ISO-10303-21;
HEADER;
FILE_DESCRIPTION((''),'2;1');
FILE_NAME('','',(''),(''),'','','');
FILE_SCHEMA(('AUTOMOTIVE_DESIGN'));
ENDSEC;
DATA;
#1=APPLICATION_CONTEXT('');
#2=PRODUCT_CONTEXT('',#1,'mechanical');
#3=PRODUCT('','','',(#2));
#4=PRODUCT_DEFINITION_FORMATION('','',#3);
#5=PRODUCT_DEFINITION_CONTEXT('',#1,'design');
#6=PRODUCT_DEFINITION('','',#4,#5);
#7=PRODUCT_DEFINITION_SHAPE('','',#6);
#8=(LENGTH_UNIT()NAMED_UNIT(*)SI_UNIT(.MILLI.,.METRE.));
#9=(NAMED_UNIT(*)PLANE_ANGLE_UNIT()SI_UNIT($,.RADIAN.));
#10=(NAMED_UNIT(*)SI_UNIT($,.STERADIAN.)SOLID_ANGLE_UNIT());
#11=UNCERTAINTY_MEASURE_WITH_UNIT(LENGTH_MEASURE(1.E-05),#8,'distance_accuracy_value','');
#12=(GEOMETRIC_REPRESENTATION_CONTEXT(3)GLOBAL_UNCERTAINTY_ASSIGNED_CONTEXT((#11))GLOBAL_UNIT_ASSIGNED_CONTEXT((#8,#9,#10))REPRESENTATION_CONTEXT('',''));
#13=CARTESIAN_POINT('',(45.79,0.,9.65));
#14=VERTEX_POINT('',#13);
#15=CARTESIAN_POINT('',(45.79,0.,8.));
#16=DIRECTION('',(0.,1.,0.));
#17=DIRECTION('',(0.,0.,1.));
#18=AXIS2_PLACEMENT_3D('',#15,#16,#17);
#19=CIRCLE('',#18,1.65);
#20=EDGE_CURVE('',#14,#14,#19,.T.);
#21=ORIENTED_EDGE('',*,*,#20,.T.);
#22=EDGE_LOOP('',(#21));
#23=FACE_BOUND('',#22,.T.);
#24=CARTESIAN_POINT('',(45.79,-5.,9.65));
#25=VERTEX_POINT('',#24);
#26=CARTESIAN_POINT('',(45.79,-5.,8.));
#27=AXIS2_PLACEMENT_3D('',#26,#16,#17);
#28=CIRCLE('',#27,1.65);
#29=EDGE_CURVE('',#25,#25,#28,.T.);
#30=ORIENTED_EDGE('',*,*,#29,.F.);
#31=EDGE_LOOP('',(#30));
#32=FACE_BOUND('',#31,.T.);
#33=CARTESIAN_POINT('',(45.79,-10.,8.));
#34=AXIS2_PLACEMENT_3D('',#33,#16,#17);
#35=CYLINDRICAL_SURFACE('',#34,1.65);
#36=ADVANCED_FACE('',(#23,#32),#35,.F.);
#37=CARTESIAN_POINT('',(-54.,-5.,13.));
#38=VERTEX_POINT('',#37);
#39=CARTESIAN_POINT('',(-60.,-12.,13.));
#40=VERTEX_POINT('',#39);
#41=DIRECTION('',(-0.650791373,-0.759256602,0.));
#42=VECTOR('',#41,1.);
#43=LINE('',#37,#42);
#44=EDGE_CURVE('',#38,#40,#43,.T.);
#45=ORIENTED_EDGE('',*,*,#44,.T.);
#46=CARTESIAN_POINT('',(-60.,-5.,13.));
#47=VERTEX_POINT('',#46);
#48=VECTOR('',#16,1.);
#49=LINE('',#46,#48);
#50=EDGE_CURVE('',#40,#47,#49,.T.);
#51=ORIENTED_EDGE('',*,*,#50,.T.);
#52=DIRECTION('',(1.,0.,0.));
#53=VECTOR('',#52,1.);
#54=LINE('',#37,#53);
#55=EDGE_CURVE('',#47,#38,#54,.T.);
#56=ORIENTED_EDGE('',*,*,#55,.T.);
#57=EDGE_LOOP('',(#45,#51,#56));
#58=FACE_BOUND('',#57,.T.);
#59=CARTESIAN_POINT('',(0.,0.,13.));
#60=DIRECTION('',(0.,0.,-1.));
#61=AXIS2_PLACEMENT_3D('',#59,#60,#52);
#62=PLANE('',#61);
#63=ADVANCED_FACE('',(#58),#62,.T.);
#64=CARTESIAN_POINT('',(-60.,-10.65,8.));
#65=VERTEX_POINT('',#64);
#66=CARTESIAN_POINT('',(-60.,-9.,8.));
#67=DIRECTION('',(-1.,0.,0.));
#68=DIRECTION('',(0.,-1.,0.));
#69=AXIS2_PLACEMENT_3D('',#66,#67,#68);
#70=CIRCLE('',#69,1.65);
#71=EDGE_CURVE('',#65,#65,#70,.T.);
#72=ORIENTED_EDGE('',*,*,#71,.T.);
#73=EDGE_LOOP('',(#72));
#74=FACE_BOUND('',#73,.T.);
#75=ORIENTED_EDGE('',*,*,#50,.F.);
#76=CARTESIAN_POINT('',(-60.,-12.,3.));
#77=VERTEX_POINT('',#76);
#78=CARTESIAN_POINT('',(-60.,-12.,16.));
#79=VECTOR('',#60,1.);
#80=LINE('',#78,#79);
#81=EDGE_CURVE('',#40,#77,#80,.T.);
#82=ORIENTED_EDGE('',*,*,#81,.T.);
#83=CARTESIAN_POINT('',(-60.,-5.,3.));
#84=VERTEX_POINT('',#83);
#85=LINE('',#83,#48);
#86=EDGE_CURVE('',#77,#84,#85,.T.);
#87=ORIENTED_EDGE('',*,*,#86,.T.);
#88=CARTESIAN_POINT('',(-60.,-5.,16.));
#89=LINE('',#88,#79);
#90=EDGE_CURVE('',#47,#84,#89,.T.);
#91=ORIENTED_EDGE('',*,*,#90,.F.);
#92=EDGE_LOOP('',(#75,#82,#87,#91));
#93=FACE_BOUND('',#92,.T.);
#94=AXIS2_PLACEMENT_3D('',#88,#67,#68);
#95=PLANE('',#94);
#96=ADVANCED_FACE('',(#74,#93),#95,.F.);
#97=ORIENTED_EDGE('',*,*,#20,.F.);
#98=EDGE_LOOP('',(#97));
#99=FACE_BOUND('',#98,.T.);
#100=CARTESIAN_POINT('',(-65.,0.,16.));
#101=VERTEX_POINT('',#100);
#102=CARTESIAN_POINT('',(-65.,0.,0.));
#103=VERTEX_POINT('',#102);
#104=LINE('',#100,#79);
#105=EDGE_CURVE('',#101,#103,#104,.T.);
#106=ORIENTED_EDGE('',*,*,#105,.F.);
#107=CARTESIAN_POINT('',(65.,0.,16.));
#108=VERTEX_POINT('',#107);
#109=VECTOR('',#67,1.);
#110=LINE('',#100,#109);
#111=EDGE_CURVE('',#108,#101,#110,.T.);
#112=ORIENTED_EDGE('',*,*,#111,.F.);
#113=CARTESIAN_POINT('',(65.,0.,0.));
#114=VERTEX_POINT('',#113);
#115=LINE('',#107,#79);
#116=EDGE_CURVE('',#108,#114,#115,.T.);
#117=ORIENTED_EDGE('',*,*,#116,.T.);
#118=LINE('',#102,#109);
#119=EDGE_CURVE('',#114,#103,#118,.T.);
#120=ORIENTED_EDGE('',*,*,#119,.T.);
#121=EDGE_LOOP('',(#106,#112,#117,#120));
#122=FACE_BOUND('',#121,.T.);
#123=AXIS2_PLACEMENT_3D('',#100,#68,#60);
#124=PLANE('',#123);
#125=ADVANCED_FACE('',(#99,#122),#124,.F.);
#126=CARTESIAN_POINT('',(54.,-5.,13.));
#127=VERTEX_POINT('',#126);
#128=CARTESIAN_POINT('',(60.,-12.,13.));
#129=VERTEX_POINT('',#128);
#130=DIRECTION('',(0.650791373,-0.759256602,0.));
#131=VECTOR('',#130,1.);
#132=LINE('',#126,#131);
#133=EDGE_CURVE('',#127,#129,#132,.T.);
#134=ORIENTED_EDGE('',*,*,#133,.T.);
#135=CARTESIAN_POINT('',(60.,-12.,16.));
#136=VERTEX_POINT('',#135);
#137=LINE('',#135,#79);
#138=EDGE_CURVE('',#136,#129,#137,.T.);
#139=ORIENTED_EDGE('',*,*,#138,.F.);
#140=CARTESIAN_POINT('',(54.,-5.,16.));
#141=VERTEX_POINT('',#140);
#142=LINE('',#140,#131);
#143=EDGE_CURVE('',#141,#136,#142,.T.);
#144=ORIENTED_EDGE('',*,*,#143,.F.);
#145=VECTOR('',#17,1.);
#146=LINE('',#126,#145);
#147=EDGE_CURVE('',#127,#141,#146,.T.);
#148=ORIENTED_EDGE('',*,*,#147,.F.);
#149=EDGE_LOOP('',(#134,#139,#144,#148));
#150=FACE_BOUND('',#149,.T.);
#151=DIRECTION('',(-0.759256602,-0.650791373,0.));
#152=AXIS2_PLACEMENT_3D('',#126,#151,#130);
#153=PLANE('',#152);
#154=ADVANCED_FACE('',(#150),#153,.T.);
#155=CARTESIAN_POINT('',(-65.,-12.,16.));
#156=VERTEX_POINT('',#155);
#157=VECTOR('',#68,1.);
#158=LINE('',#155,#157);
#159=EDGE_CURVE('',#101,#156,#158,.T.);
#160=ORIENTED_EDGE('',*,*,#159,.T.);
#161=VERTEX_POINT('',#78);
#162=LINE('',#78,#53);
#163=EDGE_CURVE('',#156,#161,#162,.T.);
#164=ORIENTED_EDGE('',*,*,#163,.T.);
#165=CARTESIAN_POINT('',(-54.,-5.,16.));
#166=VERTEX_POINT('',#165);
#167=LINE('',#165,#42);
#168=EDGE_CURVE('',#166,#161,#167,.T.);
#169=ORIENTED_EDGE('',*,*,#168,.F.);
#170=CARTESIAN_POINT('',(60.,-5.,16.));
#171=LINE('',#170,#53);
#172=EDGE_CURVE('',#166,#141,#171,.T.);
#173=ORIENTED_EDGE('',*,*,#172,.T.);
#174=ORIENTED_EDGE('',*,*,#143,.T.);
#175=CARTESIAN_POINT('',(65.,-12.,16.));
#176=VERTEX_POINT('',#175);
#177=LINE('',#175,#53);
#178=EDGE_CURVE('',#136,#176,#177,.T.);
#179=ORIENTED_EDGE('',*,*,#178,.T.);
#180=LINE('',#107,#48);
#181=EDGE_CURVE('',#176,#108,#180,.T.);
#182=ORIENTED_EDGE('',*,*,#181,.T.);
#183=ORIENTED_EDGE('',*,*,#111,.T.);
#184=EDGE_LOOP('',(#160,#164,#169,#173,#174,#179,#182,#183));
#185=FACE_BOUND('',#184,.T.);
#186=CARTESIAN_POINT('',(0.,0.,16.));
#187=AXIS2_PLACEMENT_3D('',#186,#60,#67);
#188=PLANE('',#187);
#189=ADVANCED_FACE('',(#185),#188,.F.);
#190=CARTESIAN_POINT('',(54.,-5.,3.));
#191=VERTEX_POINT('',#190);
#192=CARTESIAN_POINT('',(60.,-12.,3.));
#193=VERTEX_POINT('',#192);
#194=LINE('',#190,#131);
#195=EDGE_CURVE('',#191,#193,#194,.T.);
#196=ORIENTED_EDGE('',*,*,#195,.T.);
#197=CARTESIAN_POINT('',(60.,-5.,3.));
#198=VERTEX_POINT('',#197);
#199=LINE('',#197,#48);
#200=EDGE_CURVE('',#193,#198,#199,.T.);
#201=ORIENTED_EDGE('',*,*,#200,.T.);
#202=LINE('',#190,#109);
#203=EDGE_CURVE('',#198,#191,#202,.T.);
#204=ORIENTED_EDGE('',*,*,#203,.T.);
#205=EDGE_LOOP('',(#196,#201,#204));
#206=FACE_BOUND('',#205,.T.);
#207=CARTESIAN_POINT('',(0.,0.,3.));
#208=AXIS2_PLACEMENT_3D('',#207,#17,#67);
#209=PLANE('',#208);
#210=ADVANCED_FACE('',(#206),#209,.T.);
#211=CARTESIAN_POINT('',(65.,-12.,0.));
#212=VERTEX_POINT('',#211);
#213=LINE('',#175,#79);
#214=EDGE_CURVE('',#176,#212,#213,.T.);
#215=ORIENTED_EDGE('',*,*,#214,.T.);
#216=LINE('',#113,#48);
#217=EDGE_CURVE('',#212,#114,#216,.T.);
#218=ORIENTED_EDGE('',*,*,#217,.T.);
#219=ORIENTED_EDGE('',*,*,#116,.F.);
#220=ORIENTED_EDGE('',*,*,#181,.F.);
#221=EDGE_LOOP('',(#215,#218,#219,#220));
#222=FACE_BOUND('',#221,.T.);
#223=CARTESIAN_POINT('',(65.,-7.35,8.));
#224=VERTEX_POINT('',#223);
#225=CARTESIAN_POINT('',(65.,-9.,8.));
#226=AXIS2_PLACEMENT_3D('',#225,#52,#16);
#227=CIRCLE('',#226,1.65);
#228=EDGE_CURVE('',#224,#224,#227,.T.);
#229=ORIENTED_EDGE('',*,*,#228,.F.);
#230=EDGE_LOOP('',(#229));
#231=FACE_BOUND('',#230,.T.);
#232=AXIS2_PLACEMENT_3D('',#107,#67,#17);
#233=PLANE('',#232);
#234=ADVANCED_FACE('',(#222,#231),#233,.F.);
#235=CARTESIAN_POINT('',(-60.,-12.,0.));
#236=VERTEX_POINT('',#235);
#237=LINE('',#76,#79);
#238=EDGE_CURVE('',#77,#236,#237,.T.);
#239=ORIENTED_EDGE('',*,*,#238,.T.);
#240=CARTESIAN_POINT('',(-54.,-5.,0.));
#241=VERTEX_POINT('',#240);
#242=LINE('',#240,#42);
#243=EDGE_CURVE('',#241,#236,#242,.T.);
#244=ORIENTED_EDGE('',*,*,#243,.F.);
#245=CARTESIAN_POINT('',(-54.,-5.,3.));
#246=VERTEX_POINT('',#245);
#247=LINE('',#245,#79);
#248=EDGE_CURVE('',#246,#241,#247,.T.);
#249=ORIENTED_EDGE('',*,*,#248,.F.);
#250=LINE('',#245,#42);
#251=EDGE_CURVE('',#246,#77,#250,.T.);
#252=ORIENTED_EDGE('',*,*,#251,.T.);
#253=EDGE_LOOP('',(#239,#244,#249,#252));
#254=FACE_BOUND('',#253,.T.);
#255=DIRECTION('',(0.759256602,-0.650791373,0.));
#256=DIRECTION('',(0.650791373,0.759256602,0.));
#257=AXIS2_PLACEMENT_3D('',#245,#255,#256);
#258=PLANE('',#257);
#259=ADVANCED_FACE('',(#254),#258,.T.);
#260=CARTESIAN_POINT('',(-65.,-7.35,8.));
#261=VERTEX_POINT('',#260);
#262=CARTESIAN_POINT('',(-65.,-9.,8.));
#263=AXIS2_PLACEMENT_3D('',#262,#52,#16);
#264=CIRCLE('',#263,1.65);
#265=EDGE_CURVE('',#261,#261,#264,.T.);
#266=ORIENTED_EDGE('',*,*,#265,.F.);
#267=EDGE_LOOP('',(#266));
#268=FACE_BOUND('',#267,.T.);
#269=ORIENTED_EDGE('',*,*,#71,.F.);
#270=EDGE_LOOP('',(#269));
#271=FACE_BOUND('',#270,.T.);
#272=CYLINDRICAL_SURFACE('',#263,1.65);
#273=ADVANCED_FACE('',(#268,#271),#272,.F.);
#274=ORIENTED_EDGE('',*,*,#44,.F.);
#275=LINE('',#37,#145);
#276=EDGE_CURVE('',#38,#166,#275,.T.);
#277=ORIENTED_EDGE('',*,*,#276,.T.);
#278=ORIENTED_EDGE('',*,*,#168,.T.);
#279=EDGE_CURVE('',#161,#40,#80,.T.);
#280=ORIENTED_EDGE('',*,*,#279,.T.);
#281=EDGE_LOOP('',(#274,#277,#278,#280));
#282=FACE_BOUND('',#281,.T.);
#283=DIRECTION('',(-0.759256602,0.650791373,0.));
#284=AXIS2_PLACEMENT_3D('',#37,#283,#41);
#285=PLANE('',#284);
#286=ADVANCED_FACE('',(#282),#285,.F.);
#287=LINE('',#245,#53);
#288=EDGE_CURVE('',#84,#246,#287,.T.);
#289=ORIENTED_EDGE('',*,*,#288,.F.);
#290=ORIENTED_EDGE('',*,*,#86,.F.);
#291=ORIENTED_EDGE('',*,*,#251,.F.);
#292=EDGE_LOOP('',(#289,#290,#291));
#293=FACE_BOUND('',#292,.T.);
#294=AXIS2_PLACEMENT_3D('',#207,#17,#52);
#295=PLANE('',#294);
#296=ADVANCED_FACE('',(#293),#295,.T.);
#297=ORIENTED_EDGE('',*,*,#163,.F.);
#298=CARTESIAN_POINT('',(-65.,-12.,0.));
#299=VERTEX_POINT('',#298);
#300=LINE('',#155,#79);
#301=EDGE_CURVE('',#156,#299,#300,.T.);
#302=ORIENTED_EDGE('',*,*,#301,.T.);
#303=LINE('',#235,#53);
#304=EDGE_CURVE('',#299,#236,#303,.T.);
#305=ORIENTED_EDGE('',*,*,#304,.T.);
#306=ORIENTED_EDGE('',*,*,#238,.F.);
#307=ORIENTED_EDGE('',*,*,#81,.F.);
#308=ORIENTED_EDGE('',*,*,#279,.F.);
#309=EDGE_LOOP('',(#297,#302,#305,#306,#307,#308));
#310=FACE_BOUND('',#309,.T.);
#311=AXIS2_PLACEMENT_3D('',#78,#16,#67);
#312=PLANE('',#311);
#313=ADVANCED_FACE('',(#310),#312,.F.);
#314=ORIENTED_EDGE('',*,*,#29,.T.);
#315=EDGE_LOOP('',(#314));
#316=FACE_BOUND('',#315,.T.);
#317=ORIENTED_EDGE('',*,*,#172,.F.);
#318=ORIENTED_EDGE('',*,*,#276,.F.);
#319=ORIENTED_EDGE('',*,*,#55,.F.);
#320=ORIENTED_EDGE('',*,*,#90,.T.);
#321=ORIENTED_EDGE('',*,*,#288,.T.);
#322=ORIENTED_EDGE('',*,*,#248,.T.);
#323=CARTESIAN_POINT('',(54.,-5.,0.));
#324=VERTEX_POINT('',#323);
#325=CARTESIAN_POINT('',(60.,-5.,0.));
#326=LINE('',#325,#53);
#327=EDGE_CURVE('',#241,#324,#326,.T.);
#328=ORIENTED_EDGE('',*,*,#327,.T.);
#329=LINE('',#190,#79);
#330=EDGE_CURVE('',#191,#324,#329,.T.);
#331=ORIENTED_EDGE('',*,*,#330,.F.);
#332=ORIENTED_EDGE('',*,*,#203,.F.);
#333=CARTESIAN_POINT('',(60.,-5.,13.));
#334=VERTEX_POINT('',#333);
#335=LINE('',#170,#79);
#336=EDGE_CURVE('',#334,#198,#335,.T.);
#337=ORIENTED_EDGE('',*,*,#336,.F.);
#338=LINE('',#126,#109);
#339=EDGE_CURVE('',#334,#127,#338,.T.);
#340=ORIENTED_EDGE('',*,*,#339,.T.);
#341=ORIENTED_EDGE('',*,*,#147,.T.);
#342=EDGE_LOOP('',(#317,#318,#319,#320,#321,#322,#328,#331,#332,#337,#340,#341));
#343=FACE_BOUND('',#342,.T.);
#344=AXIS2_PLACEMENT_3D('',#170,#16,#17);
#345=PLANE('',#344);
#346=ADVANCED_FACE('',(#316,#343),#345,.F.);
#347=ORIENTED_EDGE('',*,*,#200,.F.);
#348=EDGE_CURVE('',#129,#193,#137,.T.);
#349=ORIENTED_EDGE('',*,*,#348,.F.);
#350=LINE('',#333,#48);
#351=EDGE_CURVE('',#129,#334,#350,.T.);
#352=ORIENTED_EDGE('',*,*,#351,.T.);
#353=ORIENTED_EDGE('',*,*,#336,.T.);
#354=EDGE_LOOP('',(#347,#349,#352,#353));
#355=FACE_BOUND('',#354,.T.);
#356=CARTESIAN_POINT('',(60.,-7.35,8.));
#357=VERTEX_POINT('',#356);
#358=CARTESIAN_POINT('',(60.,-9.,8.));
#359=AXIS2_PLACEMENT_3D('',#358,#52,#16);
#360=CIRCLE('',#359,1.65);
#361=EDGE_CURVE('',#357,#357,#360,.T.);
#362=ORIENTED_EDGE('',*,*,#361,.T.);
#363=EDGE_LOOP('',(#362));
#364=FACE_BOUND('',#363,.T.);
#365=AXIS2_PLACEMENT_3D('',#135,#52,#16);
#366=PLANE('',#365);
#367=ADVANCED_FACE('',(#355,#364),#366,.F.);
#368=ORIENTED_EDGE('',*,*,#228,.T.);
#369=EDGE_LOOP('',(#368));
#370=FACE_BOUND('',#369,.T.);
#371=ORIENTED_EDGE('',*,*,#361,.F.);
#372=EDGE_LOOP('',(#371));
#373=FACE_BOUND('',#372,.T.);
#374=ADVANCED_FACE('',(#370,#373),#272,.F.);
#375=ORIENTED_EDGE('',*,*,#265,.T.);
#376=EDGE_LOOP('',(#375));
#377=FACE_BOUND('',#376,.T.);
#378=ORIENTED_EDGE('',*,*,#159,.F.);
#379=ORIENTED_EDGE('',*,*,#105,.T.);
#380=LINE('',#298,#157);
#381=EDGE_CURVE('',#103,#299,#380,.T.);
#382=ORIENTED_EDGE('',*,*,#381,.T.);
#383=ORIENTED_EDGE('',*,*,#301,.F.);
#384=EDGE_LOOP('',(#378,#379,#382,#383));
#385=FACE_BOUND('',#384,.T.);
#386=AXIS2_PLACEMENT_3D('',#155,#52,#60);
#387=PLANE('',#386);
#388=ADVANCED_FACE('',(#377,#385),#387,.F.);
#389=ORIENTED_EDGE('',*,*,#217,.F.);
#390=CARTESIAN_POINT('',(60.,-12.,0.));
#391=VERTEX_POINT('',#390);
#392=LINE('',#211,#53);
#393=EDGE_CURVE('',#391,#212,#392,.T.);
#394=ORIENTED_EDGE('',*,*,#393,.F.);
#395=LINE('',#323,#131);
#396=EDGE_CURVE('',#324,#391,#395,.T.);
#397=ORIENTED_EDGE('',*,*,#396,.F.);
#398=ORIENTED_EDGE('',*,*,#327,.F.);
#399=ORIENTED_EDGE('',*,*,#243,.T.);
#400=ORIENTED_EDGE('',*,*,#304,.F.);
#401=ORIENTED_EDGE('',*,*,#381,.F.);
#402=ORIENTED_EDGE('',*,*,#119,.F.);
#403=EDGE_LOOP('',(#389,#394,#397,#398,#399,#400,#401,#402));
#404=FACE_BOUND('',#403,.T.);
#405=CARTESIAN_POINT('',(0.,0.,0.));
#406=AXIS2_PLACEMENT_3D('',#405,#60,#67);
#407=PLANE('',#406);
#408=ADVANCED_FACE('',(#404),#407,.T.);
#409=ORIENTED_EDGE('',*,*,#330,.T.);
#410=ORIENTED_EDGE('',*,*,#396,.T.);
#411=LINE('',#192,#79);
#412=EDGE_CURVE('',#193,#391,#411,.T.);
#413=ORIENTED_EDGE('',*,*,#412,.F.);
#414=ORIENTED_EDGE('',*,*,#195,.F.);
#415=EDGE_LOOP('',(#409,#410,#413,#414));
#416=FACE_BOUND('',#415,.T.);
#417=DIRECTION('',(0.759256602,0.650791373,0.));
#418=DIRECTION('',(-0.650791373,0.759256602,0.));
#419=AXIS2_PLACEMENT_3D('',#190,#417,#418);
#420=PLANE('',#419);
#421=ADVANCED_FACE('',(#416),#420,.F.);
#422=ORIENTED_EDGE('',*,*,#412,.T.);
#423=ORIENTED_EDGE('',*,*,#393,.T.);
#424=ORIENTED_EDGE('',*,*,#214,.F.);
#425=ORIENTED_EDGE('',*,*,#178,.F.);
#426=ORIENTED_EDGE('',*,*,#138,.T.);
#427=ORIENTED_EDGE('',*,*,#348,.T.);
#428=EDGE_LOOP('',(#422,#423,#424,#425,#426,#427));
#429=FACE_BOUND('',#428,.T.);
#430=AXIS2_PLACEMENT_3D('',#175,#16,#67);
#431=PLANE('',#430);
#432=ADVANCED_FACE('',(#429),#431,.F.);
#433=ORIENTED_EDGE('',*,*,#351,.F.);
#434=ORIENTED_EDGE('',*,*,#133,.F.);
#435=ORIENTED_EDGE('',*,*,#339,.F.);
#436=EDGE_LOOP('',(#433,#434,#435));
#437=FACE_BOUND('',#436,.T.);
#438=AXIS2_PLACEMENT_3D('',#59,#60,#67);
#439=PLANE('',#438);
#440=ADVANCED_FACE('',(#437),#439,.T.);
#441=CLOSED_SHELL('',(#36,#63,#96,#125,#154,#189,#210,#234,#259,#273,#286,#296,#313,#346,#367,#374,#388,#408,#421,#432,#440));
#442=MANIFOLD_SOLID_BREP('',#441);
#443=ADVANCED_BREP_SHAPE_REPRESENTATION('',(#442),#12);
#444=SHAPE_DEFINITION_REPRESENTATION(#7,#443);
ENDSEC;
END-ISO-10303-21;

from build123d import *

# Parameters (mm, degrees)
EXTRUDE_2_DEPTH          = 16
SKETCH_3_R               = 1.65
CUT_EXTRUDE_1_DEPTH      = 126
CUT_EXTRUDE_1_DEPTH_BACK = 6
EXTRUDE_3_DEPTH          = 3
MIRROR_2_COPY_1_DEPTH    = 3
SKETCH_7_R               = 1.65
CUT_EXTRUDE_2_DEPTH      = 10


with BuildPart() as part:
    # 草图1 → 凸台-拉伸2 (new body)
    with BuildSketch(Plane.XY):
        Polygon((-65, 0), (65, 0), (65, -12), (60, -12), (60, -5), (-60, -5), (-60, -12), (-65, -12), align=None)
    extrude(amount=EXTRUDE_2_DEPTH)

    # 草图3 → 切除-拉伸1 (cut, two sides)
    with BuildSketch(Plane(origin=(-60, 0, 0), x_dir=(0, 0, -1), z_dir=(1, 0, 0))) as cut_extrude_1_sk:
        with Locations((-8, -9)):
            Circle(SKETCH_3_R)
    extrude(amount=CUT_EXTRUDE_1_DEPTH, mode=Mode.SUBTRACT)
    extrude(cut_extrude_1_sk.sketch, amount=-CUT_EXTRUDE_1_DEPTH_BACK, mode=Mode.SUBTRACT)

    # 草图4 → 凸台-拉伸3 (add)
    with BuildSketch(Plane(origin=(0, 0, 0), x_dir=(-1, 0, 0), z_dir=(0, 0, -1))):
        Polygon((54, -5), (60, -12), (60, -5), align=None)
    extrude_3 = extrude(amount=-EXTRUDE_3_DEPTH)

    # 镜向1: 凸台-拉伸3 across plane
    add(extrude_3.mirror(Plane.XY.offset(8)))

    # 镜向2: 凸台-拉伸3 across plane
    add(extrude_3.mirror(Plane(origin=(0, 0, 0), x_dir=(0, 0, 1), z_dir=(1, 0, 0))))

    # 镜向2 copy 1 sketch → 镜向2 copy 1 (add)
    with BuildSketch(Plane.XY.offset(16)):
        Polygon((54, -5), (60, -12), (60, -5), align=None)
    extrude(amount=-MIRROR_2_COPY_1_DEPTH)

    # 草图7 → 切除-拉伸2 (cut)
    with BuildSketch(Plane(origin=(0, 0, 0), x_dir=(1, 0, 0), z_dir=(0, 1, 0))):
        with Locations((45.79, -8)):
            Circle(SKETCH_7_R)
    extrude(amount=-CUT_EXTRUDE_2_DEPTH, mode=Mode.SUBTRACT)


solid = part.part
